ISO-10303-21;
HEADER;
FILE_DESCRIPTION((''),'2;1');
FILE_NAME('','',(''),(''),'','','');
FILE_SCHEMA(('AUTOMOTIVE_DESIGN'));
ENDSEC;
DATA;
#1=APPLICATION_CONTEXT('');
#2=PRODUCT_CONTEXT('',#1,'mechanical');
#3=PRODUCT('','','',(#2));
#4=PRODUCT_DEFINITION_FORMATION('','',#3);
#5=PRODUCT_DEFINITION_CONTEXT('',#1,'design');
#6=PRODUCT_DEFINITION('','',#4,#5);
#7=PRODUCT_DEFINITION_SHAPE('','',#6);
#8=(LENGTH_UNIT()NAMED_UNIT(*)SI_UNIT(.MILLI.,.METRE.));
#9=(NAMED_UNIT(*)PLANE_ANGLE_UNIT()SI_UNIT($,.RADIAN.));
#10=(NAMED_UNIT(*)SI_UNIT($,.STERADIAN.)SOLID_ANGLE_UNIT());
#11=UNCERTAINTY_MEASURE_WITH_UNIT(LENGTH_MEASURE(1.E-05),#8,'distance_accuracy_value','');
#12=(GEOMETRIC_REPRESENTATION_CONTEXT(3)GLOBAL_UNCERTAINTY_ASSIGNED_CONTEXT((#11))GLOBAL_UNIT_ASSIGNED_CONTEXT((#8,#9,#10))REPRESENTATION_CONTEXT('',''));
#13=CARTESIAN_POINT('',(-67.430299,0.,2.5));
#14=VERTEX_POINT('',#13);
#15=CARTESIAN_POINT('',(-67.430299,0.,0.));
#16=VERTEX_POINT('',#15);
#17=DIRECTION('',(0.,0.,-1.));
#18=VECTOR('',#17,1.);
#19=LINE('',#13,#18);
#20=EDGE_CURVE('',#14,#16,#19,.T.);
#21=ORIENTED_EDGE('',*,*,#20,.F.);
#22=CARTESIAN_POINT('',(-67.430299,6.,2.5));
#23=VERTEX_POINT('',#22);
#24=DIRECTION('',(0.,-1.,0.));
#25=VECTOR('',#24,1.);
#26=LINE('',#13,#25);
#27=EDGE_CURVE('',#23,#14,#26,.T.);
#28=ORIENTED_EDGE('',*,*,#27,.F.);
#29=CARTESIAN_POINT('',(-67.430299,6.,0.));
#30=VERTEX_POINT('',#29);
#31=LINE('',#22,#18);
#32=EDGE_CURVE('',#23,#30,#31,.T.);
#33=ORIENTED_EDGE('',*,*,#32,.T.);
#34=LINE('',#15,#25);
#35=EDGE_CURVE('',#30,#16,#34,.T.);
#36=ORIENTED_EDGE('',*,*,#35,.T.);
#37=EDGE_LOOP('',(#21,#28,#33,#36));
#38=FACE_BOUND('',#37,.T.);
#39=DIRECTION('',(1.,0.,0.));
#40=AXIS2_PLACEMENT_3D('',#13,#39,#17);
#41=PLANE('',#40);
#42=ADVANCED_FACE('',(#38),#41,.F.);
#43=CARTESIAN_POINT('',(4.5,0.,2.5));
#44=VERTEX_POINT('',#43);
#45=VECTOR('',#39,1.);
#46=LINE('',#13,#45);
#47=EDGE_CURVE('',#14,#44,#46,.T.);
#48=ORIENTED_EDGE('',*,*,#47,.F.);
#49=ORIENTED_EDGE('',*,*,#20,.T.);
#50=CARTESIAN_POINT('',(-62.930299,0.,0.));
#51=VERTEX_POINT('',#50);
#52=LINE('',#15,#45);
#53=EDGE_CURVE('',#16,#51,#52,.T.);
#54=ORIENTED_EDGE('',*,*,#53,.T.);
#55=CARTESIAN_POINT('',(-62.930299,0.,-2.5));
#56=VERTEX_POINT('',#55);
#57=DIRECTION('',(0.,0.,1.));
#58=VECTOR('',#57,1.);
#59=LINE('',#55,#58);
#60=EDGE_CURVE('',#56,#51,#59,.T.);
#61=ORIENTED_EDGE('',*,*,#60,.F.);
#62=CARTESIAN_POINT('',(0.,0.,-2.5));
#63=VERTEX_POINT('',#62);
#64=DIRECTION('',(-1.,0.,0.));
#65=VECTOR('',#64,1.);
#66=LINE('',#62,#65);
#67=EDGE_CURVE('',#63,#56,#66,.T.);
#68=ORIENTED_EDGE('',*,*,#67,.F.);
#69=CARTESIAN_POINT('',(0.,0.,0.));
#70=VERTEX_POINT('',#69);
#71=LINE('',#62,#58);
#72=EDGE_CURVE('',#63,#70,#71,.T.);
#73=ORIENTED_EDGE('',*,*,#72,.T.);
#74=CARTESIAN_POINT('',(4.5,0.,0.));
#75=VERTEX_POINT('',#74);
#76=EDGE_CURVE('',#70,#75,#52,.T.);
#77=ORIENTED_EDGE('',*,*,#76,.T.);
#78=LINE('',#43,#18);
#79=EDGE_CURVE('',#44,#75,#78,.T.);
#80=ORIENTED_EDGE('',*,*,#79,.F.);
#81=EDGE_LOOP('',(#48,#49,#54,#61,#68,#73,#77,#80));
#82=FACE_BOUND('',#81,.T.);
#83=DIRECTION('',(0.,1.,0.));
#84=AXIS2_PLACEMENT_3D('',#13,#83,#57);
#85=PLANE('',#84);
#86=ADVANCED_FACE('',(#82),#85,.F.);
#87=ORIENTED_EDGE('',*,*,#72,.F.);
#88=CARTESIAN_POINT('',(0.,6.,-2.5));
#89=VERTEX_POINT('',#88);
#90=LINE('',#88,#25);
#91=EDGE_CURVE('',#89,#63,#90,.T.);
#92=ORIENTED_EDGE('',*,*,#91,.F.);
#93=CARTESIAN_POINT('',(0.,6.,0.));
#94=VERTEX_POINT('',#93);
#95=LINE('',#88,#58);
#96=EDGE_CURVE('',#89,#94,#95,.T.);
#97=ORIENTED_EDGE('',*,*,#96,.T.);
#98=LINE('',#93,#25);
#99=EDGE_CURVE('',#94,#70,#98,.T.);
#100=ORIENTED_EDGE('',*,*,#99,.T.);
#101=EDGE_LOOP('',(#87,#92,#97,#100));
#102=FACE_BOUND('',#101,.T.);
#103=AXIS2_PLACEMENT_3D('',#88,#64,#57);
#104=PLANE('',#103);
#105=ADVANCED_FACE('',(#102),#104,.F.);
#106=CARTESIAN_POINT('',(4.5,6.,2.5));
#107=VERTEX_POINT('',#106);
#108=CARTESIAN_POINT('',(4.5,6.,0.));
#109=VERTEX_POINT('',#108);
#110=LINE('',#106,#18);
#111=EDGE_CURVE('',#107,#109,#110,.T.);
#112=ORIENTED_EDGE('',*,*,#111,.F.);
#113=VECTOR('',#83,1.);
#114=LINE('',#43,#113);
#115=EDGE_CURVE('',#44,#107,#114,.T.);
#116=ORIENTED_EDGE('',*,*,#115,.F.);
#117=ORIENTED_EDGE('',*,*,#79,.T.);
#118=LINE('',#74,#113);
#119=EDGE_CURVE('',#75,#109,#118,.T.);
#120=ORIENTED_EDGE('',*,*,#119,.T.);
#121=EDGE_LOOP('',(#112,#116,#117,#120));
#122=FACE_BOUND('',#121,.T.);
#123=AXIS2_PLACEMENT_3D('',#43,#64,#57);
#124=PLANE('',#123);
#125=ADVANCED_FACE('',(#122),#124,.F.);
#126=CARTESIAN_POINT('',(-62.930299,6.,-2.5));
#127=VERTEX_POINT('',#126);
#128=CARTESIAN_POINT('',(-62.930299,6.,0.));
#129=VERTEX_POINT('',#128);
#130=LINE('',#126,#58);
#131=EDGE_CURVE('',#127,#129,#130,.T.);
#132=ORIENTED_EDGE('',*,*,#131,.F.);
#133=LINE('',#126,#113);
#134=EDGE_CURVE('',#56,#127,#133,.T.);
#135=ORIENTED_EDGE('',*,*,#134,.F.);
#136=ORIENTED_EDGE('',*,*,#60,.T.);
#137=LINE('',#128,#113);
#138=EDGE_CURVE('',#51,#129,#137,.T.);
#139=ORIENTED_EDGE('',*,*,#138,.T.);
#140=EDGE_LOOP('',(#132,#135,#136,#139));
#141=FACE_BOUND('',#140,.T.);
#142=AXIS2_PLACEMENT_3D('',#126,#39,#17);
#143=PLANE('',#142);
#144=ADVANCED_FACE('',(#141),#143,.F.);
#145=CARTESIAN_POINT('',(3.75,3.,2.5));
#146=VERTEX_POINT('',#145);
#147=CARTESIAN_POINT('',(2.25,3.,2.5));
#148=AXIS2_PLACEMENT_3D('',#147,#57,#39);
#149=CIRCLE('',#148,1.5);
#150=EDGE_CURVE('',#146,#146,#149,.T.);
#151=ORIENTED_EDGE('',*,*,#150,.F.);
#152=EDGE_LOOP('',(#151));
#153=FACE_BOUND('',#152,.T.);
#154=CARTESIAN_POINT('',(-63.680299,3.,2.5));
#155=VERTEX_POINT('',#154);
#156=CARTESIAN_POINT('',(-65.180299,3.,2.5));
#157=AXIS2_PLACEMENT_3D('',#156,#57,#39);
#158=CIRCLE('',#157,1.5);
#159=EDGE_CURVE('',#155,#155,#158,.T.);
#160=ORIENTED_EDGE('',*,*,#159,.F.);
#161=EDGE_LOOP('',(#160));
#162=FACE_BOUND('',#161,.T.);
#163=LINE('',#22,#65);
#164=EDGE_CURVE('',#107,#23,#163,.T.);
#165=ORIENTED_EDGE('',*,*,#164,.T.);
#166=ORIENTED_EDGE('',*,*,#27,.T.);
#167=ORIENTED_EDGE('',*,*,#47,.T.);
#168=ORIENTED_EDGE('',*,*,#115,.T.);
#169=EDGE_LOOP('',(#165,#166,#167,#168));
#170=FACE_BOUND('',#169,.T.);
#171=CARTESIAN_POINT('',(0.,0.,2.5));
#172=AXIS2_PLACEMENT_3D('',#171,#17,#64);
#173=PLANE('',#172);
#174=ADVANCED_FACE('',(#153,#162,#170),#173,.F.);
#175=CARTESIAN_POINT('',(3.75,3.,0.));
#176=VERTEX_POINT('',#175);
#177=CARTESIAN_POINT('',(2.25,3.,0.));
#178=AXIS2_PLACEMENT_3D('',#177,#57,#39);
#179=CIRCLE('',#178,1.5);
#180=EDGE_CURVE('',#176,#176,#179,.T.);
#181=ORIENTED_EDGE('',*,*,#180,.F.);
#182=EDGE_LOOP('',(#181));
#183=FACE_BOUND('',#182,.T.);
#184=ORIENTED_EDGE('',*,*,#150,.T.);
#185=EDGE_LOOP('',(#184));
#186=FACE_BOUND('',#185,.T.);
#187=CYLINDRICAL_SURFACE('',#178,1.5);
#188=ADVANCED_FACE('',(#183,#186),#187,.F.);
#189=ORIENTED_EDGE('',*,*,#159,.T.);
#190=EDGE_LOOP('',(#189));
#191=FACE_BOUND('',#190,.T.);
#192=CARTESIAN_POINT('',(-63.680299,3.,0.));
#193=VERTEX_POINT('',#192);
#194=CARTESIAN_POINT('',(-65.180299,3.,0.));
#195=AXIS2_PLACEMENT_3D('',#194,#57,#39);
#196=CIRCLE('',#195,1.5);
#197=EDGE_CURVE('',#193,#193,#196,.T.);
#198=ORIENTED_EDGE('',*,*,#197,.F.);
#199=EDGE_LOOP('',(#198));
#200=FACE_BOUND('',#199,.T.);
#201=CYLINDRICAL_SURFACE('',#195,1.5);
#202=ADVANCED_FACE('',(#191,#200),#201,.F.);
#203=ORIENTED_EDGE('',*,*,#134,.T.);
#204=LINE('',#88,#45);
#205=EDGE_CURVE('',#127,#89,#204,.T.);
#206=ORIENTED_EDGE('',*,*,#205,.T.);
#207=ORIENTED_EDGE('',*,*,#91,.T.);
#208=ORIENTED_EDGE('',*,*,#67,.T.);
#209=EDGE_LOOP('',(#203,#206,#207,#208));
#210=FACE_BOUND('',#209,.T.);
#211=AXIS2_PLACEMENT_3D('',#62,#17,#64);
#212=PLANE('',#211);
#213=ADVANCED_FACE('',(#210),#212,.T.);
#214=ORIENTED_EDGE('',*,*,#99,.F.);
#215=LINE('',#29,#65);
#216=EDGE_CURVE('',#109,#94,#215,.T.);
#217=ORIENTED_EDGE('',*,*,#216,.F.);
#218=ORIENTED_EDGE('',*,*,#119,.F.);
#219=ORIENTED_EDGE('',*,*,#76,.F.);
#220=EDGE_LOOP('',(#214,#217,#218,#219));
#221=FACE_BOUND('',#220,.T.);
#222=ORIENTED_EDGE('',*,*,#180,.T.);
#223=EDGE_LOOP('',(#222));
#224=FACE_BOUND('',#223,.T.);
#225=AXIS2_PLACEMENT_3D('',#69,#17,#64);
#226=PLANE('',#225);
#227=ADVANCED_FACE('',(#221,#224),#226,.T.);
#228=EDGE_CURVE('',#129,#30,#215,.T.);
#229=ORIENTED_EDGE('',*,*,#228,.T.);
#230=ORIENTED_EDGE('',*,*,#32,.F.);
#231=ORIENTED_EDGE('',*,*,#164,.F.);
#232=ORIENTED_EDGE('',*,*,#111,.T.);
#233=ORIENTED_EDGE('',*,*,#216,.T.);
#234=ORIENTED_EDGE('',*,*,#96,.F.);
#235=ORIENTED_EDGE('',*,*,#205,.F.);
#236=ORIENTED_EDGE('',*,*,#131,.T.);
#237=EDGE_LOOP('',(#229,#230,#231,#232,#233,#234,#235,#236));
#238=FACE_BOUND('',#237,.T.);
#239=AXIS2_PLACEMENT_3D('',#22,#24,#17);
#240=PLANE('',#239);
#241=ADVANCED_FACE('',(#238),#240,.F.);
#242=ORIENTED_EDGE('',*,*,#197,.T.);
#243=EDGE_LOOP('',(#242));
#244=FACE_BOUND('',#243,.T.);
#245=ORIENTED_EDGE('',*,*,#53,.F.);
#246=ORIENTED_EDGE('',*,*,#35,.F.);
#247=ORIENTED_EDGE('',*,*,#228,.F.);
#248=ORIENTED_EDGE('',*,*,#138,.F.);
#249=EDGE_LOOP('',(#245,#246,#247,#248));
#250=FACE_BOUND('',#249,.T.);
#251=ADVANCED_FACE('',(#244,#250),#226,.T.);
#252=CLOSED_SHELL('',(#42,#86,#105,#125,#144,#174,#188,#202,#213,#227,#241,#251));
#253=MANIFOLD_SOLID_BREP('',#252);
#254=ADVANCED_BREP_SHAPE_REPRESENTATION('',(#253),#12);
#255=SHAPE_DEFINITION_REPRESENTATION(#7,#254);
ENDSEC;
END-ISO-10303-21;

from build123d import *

# Parameters (mm, degrees)
SKETCH1_W           = 71.930298972
SKETCH1_H           = 6
BOSS_EXTRUDE1_DEPTH = 2.5
SKETCH2_R           = 1.5
CUT_EXTRUDE1_DEPTH  = 2.5
SKETCH3_W           = 62.930298972
SKETCH3_H           = 6
BOSS_EXTRUDE2_DEPTH = 2.5


with BuildPart() as part:
    # Sketch1 → Boss-Extrude1 (new body)
    with BuildSketch(Plane.XY):
        with Locations((-31.465149486, 3)):
            Rectangle(SKETCH1_W, SKETCH1_H)
    extrude(amount=BOSS_EXTRUDE1_DEPTH)

    # Sketch2 → Cut-Extrude1 (cut)
    with BuildSketch(Plane.XY.offset(2.5)):
        with Locations((2.25, 3)):
            Circle(SKETCH2_R)
        with Locations((-65.180298972, 3)):
            Circle(SKETCH2_R)
    extrude(amount=-CUT_EXTRUDE1_DEPTH, mode=Mode.SUBTRACT)

    # Sketch3 → Boss-Extrude2 (add)
    with BuildSketch(Plane(origin=(0, 0, 0), x_dir=(-1, 0, 0), z_dir=(0, 0, -1))):
        with Locations((31.465149486, 3)):
            Rectangle(SKETCH3_W, SKETCH3_H)
    extrude(amount=BOSS_EXTRUDE2_DEPTH)


solid = part.part
